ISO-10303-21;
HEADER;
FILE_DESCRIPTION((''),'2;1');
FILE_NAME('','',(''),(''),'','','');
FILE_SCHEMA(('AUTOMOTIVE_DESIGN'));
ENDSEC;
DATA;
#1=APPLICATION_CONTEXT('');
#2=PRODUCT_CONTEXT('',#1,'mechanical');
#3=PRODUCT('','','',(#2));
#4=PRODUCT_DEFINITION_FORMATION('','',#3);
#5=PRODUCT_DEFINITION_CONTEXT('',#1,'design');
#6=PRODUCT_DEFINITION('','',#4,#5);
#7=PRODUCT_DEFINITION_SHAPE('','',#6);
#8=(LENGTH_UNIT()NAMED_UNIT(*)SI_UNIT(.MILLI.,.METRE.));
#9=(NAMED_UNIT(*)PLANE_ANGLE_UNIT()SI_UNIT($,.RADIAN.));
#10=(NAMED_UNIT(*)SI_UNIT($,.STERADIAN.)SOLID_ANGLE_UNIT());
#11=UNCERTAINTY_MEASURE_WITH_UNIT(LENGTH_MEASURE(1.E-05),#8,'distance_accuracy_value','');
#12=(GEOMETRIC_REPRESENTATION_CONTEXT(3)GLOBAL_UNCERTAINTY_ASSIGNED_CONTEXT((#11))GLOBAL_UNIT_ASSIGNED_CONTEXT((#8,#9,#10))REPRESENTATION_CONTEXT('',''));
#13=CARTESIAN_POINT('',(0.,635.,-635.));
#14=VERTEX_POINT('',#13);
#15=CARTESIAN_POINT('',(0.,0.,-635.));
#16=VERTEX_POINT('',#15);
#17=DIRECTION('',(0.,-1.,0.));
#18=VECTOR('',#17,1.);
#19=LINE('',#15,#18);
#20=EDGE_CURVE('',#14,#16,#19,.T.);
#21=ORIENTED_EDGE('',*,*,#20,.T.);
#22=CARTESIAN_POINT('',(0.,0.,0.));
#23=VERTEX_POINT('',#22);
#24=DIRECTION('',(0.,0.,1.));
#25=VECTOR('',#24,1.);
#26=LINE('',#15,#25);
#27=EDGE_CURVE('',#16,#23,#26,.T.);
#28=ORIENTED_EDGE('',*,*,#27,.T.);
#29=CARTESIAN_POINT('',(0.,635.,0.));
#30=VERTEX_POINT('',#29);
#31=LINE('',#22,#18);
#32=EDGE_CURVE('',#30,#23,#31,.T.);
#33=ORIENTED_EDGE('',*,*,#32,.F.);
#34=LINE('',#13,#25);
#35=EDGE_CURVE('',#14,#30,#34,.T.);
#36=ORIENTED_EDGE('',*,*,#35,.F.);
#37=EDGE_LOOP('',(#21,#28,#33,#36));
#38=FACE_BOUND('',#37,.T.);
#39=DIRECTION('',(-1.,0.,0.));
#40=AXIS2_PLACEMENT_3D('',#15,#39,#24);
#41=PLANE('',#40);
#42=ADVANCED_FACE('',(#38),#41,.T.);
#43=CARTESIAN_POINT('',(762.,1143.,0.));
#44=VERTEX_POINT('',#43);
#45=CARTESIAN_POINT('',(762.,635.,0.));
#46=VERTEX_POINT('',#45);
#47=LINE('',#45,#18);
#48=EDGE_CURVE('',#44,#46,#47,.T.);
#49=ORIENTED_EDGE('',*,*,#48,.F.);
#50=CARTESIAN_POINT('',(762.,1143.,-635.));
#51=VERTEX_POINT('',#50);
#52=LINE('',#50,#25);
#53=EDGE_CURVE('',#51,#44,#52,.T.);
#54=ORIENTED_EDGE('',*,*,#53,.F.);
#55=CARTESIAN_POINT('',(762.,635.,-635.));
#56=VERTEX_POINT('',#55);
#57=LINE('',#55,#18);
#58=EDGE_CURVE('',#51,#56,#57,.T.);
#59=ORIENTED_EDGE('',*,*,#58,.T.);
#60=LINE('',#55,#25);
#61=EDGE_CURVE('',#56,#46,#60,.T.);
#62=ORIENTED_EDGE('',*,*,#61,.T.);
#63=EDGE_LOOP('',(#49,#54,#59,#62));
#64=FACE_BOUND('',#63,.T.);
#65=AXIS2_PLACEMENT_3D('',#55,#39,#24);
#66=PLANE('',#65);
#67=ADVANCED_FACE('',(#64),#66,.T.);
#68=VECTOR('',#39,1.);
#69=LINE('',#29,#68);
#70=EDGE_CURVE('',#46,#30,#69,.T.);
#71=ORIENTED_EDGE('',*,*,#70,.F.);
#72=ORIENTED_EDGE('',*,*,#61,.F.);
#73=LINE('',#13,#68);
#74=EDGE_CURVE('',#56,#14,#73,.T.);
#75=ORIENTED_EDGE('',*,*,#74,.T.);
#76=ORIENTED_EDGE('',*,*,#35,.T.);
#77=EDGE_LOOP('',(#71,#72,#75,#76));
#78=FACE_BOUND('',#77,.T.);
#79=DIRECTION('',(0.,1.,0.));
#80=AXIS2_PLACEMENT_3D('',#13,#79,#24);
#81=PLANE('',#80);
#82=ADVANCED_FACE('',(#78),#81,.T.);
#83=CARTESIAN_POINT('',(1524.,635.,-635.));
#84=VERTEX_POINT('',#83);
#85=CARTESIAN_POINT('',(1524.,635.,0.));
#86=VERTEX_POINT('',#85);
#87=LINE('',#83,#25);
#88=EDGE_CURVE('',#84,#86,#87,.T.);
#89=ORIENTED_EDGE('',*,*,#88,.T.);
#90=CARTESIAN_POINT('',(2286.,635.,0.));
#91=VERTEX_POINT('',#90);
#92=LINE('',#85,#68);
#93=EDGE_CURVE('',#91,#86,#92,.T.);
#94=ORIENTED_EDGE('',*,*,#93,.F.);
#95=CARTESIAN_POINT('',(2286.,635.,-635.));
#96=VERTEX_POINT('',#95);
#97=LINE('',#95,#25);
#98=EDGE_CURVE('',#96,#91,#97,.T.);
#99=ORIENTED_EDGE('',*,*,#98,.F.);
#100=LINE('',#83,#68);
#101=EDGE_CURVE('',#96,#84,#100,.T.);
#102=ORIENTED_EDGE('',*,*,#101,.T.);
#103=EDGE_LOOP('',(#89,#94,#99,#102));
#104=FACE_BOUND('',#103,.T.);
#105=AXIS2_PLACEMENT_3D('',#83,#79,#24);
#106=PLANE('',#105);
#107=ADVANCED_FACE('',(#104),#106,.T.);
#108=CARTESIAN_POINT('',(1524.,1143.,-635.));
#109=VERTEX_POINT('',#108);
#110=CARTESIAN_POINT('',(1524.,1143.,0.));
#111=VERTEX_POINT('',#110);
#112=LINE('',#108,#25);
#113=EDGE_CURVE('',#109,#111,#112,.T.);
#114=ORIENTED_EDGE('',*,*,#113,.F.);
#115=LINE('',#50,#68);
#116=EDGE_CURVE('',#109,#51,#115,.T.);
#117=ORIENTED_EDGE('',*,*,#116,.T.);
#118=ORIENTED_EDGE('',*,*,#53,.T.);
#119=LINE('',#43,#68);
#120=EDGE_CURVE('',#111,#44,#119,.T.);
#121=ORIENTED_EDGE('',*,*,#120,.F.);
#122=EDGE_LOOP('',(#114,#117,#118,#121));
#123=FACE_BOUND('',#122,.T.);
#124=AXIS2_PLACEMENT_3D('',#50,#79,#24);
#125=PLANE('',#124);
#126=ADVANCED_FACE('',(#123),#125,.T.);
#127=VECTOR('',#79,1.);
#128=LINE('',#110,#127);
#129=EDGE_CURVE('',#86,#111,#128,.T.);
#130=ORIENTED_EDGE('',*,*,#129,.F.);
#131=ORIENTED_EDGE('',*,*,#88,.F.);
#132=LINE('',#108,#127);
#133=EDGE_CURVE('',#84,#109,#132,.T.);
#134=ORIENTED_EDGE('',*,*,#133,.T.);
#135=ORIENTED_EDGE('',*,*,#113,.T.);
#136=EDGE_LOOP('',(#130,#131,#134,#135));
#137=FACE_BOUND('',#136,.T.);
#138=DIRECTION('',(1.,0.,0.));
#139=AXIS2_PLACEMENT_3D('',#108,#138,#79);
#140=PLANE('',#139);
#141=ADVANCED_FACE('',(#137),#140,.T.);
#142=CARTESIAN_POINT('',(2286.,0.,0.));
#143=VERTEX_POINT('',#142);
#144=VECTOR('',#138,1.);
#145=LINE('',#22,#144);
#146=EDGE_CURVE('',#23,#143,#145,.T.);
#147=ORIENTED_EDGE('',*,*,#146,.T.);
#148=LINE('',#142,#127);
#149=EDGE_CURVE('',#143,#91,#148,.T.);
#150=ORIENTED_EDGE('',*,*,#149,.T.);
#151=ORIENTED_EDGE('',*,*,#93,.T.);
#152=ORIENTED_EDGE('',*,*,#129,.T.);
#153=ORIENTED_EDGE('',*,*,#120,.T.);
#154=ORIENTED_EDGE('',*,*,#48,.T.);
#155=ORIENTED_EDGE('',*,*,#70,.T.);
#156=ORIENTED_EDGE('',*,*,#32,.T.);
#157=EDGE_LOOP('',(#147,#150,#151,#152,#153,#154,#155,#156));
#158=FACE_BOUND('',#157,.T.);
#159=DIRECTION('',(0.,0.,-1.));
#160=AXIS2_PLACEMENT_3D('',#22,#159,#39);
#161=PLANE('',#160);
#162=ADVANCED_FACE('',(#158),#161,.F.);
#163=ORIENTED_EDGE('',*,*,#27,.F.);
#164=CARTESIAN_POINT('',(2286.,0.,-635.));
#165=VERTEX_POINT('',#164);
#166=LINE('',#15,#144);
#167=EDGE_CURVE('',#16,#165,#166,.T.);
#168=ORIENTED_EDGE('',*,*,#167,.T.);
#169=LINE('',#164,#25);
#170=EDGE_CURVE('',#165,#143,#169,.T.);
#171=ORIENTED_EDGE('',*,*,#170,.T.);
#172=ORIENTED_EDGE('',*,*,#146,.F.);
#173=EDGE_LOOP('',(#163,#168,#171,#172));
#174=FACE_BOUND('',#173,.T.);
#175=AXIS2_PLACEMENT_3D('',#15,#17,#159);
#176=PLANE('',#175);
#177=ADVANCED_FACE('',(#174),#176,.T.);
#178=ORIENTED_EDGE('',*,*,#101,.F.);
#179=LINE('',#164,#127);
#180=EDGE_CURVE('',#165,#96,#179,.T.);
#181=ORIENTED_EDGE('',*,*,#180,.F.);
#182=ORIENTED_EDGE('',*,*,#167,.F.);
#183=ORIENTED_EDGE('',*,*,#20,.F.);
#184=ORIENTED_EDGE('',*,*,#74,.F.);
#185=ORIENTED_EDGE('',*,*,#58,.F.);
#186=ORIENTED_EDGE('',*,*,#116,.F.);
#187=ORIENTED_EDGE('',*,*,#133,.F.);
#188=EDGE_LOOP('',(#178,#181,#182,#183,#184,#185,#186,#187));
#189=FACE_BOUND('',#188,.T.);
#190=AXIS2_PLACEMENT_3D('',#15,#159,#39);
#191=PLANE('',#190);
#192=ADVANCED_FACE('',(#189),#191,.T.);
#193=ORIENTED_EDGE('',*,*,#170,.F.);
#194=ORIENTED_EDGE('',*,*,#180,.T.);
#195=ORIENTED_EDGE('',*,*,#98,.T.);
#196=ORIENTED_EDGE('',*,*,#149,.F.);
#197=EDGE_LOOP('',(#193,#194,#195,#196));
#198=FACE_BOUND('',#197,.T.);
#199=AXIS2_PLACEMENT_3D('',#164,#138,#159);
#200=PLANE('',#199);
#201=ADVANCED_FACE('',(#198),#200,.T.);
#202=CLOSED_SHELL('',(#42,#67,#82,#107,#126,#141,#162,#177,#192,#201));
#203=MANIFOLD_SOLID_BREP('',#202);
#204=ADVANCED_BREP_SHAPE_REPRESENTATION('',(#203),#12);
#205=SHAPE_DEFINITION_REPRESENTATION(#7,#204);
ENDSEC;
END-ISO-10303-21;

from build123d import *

# Parameters (mm, degrees)
BOSS_EXTRUDE1_DEPTH = 635


with BuildPart() as part:
    # Sketch1 → Boss-Extrude1 (new body)
    with BuildSketch(Plane.XY):
        Polygon((762, 635), (762, 1143), (1524, 1143), (1524, 635), (2286, 635), (2286, 0), (0, 0), (0, 635), align=None)
    extrude(amount=-BOSS_EXTRUDE1_DEPTH)


solid = part.part
